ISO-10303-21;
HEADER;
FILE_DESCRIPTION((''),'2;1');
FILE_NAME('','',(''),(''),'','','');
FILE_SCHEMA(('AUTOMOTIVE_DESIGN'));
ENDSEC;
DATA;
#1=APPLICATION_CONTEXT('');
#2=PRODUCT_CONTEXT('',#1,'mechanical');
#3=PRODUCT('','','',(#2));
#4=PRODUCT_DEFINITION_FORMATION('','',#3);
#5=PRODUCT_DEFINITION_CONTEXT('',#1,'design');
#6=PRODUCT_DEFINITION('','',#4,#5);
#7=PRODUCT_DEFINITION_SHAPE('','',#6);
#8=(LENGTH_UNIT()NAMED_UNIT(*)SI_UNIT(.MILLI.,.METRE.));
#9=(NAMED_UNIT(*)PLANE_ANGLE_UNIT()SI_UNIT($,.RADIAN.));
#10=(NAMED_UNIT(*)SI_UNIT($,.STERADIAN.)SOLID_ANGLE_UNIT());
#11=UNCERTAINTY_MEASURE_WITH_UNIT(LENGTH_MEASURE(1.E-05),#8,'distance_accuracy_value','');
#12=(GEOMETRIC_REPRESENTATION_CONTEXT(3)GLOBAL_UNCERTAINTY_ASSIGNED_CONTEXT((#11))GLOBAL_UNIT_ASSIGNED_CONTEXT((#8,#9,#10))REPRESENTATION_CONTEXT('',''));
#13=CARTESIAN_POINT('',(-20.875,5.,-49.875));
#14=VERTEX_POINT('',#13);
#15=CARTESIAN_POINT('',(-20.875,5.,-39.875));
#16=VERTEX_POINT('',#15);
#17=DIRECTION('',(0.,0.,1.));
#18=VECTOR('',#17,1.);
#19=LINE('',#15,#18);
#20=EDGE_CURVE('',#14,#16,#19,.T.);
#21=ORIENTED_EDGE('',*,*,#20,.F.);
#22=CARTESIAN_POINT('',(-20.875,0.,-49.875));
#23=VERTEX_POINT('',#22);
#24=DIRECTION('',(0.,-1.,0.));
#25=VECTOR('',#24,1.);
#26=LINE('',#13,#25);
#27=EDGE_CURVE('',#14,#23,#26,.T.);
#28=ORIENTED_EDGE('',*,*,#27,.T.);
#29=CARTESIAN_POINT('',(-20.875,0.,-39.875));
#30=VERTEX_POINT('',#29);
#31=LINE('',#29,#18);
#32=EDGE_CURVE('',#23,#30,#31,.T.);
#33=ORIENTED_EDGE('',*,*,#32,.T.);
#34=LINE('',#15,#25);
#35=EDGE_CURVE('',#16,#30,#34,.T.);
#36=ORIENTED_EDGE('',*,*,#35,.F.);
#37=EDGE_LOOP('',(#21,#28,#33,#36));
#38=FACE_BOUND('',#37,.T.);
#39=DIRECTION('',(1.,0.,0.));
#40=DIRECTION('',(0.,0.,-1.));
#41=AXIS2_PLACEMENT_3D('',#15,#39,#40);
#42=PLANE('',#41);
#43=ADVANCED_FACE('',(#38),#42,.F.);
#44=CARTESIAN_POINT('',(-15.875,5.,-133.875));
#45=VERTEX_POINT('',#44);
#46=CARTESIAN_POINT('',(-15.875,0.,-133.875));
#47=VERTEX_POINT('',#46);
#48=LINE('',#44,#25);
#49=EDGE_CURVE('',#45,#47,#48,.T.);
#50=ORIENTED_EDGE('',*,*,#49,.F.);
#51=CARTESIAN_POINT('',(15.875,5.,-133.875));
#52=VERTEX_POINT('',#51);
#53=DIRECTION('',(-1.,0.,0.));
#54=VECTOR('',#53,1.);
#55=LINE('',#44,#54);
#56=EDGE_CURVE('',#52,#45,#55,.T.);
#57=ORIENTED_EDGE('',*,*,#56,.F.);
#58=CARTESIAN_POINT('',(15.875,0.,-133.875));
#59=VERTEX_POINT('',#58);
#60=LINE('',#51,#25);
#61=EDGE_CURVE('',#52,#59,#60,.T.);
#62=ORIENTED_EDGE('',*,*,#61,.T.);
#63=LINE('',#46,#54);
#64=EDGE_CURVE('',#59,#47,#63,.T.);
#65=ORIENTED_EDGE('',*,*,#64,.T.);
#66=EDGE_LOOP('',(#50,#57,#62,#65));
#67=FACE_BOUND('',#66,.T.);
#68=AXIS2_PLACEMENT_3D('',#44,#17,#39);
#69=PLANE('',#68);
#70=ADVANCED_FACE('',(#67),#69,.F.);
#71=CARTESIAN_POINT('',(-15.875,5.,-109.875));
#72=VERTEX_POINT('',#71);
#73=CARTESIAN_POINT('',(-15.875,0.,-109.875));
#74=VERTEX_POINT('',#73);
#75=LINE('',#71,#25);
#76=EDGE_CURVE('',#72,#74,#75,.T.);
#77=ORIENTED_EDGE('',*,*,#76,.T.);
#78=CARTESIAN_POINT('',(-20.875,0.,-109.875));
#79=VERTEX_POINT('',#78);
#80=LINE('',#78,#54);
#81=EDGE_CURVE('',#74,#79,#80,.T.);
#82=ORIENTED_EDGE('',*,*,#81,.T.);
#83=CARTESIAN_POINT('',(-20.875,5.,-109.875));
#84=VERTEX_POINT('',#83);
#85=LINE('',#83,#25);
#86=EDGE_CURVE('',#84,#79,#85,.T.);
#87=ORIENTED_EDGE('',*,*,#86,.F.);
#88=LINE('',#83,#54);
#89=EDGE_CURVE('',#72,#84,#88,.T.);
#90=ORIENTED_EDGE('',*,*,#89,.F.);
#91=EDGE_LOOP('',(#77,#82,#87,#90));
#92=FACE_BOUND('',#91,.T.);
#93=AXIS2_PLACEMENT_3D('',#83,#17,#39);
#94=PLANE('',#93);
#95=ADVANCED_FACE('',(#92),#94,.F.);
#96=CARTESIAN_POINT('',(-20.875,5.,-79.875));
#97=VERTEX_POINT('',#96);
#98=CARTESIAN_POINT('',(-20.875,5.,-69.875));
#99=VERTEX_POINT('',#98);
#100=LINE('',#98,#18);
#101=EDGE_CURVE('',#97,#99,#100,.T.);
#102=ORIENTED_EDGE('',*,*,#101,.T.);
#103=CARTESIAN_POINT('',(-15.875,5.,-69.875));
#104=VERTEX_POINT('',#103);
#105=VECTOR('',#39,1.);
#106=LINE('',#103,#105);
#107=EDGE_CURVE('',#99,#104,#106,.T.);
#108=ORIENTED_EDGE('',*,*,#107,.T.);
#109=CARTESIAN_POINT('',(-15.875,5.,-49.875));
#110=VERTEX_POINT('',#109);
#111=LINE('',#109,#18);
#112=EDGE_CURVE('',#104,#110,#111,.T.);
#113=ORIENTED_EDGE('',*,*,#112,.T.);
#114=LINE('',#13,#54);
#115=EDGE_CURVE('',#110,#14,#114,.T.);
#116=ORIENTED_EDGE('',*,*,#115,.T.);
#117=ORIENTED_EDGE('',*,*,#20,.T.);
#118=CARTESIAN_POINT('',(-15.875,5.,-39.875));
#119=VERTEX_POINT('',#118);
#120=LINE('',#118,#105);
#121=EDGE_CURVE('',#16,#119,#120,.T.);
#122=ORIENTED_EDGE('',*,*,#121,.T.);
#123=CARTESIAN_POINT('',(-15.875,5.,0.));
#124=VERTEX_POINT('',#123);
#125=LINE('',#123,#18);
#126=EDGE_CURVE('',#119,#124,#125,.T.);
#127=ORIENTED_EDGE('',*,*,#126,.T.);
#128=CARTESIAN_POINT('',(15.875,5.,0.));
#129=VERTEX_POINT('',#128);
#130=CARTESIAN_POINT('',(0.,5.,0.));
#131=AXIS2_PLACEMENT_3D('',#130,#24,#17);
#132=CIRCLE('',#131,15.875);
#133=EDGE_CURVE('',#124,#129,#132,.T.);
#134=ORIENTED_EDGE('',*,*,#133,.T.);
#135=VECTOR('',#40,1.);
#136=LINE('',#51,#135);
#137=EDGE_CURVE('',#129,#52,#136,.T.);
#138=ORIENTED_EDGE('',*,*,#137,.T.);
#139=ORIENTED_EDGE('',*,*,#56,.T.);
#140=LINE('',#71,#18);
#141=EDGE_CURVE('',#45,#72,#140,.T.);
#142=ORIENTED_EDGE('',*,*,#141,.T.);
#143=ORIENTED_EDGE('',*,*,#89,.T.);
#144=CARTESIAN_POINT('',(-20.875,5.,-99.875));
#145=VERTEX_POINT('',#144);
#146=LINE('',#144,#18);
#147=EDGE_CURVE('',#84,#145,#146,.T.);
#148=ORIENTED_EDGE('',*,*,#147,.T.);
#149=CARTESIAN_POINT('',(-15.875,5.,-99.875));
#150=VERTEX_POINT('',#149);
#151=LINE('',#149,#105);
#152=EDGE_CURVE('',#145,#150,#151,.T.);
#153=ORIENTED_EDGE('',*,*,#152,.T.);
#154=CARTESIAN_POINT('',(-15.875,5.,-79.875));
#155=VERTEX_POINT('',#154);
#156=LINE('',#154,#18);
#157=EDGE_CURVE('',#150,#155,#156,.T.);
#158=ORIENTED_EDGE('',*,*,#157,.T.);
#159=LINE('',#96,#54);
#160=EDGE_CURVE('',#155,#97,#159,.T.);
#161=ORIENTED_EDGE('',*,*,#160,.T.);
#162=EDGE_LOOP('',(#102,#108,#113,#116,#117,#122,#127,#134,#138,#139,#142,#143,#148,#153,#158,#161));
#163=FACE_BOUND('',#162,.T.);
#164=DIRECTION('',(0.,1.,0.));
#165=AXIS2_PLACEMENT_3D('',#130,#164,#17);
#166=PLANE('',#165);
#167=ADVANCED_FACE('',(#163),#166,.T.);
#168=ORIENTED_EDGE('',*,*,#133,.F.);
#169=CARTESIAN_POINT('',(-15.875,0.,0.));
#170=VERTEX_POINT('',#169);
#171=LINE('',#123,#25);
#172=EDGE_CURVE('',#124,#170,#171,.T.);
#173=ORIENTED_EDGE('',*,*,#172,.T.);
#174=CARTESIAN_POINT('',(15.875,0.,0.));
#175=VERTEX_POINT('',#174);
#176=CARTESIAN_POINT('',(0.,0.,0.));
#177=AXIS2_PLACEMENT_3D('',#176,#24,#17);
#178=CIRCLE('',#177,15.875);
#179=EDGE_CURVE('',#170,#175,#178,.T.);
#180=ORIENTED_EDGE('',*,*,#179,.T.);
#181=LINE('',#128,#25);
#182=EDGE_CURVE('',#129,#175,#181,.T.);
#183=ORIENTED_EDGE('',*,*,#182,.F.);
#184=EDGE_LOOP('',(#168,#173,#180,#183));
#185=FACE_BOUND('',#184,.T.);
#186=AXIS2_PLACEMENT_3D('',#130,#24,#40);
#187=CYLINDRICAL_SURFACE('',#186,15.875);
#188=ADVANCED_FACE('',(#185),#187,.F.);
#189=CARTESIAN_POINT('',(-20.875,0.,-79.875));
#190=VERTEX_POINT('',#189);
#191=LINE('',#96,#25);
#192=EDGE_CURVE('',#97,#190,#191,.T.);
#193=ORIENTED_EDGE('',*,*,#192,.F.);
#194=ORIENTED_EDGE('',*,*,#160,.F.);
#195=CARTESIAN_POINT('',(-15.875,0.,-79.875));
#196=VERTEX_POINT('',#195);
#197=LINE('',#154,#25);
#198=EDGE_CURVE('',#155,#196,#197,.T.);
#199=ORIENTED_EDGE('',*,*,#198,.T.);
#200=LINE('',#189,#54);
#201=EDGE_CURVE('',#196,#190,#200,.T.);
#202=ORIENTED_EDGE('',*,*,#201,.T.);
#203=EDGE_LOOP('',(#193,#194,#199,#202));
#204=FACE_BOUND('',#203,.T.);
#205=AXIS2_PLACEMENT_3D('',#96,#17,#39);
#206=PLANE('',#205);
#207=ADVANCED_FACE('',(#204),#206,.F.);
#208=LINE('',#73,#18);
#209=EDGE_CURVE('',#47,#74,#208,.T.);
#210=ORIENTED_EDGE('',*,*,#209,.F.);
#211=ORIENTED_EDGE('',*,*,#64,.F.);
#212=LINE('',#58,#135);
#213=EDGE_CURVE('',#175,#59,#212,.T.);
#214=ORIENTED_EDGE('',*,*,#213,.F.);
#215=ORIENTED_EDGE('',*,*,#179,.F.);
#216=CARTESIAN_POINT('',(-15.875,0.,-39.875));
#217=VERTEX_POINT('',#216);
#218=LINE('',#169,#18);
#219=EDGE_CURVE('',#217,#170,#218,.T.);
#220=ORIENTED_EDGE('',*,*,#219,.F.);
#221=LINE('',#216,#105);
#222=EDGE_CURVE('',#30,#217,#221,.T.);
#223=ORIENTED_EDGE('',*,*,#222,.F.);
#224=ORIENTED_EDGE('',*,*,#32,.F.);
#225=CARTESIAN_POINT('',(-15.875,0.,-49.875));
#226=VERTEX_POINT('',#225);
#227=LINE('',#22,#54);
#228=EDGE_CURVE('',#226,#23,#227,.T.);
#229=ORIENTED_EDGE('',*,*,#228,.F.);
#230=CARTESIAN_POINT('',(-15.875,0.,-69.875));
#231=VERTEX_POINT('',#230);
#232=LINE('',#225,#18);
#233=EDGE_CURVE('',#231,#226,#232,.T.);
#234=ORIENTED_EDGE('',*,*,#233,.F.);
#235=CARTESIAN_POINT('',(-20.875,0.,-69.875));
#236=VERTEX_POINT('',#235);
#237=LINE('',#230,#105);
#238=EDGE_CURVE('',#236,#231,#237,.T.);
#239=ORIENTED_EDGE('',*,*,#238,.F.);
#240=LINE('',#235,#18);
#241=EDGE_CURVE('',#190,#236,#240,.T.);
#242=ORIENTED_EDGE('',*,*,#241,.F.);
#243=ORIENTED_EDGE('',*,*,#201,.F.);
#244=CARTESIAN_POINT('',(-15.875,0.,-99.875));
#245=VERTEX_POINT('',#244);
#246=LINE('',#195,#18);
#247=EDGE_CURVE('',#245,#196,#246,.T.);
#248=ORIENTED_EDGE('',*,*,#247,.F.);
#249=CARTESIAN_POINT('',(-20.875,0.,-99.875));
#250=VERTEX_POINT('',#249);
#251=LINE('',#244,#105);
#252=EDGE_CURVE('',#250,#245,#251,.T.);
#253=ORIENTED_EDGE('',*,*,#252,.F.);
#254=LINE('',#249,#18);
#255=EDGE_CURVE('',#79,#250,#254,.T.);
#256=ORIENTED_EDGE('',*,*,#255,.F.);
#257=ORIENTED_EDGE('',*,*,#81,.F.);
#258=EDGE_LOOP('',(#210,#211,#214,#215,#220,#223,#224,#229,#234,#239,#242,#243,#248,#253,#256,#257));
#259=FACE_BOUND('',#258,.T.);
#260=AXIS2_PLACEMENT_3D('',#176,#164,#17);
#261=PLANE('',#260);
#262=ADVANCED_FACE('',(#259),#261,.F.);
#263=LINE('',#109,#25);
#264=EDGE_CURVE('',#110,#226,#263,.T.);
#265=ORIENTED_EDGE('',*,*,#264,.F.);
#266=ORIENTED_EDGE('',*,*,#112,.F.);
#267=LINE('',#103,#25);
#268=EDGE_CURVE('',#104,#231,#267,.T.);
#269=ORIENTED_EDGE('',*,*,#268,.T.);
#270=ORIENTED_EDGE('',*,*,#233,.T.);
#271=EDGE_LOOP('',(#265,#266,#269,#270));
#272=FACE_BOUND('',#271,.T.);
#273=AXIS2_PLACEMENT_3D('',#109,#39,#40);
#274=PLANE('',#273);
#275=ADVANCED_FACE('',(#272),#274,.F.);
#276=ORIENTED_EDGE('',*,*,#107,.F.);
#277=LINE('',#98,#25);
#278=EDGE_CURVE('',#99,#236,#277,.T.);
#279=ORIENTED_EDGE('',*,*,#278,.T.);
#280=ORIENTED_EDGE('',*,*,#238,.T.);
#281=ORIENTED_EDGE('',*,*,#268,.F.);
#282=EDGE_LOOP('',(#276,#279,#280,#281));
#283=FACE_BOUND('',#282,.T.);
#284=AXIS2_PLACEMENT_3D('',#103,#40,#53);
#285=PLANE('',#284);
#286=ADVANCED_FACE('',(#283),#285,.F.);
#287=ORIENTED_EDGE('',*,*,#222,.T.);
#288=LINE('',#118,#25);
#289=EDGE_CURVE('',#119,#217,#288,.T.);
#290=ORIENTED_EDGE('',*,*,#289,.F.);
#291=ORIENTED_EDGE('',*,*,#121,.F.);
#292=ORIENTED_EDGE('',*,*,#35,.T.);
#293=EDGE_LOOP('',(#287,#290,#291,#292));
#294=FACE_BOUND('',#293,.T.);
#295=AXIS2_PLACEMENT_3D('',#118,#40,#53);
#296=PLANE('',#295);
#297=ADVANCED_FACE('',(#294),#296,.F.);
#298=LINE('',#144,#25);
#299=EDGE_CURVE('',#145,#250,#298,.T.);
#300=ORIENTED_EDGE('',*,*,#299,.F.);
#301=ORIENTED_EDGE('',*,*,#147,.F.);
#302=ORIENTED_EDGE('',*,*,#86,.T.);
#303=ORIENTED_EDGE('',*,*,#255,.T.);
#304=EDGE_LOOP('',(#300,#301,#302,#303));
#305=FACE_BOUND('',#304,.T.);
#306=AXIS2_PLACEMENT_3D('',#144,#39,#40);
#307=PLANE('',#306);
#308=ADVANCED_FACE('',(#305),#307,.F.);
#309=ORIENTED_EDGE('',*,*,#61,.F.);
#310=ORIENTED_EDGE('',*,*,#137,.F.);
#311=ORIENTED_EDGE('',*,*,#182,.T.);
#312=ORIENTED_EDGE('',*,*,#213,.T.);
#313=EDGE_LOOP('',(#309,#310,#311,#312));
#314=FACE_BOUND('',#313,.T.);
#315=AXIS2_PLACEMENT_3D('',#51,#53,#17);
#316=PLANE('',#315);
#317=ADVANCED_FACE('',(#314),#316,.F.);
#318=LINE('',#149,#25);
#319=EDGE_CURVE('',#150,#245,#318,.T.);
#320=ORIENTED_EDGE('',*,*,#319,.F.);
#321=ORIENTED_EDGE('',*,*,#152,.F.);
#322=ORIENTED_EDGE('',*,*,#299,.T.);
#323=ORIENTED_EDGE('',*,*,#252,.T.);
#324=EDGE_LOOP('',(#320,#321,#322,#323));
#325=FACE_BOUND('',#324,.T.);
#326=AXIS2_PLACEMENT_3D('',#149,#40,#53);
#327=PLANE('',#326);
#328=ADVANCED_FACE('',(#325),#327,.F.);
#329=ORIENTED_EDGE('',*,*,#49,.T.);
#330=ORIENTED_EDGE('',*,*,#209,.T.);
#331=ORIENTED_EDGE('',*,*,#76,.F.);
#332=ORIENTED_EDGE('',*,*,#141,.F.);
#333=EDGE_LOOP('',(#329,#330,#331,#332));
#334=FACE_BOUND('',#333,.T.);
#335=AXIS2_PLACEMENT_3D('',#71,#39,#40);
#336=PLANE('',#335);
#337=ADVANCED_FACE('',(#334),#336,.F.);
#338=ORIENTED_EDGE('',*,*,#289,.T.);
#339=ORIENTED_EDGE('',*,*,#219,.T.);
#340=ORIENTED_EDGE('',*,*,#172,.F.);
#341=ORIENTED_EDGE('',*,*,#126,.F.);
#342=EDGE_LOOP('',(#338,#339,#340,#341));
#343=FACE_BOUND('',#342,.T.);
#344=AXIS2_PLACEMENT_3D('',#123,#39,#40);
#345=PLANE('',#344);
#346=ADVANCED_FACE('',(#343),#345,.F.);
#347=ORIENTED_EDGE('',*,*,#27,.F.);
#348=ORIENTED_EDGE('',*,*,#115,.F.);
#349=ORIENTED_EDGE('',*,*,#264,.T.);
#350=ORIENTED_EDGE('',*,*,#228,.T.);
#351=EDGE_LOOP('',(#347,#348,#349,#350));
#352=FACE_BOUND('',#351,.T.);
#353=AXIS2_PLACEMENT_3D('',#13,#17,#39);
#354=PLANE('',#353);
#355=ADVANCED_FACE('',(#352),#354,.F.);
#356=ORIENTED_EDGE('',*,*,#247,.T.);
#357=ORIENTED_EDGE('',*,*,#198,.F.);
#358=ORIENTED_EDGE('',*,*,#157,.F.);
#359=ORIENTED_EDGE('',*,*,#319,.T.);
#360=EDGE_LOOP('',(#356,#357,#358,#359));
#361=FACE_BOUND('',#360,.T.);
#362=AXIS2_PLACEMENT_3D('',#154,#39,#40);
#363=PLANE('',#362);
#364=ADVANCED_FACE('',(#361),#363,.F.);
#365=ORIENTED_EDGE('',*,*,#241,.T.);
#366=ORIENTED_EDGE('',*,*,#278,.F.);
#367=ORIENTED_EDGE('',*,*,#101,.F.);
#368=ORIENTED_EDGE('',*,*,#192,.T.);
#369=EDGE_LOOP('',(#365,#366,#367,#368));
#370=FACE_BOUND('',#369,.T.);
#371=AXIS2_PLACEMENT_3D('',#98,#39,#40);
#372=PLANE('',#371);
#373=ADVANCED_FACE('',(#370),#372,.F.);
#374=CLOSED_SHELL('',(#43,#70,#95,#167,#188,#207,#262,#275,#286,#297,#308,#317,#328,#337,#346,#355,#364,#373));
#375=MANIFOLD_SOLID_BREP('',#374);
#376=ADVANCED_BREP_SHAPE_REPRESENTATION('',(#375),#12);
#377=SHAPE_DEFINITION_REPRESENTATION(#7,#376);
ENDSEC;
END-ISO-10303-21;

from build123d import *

# Parameters (mm, degrees)
BOSS_EXTRUDE1_DEPTH = 5


with BuildPart() as part:
    # Sketch9 → Boss-Extrude1 (new body)
    with BuildSketch(Plane(origin=(0, 0, 0), x_dir=(1, 0, 0), z_dir=(0, 1, 0))):
        with BuildLine():
            Line((-15.875, 109.875), (-15.875, 133.875))
            Line((-15.875, 133.875), (15.875, 133.875))
            Line((15.875, 133.875), (15.875, 0))
            ThreePointArc((15.875, 0), (0, 15.875), (-15.875, 0))
            Line((-15.875, 0), (-15.875, 39.875))
            Line((-15.875, 39.875), (-20.875, 39.875))
            Line((-20.875, 39.875), (-20.875, 49.875))
            Line((-20.875, 49.875), (-15.875, 49.875))
            Line((-15.875, 49.875), (-15.875, 69.875))
            Line((-15.875, 69.875), (-20.875, 69.875))
            Line((-20.875, 69.875), (-20.875, 79.875))
            Line((-20.875, 79.875), (-15.875, 79.875))
            Line((-15.875, 79.875), (-15.875, 99.875))
            Line((-15.875, 99.875), (-20.875, 99.875))
            Line((-20.875, 99.875), (-20.875, 109.875))
            Line((-20.875, 109.875), (-15.875, 109.875))
        make_face()
    extrude(amount=BOSS_EXTRUDE1_DEPTH)


solid = part.part
